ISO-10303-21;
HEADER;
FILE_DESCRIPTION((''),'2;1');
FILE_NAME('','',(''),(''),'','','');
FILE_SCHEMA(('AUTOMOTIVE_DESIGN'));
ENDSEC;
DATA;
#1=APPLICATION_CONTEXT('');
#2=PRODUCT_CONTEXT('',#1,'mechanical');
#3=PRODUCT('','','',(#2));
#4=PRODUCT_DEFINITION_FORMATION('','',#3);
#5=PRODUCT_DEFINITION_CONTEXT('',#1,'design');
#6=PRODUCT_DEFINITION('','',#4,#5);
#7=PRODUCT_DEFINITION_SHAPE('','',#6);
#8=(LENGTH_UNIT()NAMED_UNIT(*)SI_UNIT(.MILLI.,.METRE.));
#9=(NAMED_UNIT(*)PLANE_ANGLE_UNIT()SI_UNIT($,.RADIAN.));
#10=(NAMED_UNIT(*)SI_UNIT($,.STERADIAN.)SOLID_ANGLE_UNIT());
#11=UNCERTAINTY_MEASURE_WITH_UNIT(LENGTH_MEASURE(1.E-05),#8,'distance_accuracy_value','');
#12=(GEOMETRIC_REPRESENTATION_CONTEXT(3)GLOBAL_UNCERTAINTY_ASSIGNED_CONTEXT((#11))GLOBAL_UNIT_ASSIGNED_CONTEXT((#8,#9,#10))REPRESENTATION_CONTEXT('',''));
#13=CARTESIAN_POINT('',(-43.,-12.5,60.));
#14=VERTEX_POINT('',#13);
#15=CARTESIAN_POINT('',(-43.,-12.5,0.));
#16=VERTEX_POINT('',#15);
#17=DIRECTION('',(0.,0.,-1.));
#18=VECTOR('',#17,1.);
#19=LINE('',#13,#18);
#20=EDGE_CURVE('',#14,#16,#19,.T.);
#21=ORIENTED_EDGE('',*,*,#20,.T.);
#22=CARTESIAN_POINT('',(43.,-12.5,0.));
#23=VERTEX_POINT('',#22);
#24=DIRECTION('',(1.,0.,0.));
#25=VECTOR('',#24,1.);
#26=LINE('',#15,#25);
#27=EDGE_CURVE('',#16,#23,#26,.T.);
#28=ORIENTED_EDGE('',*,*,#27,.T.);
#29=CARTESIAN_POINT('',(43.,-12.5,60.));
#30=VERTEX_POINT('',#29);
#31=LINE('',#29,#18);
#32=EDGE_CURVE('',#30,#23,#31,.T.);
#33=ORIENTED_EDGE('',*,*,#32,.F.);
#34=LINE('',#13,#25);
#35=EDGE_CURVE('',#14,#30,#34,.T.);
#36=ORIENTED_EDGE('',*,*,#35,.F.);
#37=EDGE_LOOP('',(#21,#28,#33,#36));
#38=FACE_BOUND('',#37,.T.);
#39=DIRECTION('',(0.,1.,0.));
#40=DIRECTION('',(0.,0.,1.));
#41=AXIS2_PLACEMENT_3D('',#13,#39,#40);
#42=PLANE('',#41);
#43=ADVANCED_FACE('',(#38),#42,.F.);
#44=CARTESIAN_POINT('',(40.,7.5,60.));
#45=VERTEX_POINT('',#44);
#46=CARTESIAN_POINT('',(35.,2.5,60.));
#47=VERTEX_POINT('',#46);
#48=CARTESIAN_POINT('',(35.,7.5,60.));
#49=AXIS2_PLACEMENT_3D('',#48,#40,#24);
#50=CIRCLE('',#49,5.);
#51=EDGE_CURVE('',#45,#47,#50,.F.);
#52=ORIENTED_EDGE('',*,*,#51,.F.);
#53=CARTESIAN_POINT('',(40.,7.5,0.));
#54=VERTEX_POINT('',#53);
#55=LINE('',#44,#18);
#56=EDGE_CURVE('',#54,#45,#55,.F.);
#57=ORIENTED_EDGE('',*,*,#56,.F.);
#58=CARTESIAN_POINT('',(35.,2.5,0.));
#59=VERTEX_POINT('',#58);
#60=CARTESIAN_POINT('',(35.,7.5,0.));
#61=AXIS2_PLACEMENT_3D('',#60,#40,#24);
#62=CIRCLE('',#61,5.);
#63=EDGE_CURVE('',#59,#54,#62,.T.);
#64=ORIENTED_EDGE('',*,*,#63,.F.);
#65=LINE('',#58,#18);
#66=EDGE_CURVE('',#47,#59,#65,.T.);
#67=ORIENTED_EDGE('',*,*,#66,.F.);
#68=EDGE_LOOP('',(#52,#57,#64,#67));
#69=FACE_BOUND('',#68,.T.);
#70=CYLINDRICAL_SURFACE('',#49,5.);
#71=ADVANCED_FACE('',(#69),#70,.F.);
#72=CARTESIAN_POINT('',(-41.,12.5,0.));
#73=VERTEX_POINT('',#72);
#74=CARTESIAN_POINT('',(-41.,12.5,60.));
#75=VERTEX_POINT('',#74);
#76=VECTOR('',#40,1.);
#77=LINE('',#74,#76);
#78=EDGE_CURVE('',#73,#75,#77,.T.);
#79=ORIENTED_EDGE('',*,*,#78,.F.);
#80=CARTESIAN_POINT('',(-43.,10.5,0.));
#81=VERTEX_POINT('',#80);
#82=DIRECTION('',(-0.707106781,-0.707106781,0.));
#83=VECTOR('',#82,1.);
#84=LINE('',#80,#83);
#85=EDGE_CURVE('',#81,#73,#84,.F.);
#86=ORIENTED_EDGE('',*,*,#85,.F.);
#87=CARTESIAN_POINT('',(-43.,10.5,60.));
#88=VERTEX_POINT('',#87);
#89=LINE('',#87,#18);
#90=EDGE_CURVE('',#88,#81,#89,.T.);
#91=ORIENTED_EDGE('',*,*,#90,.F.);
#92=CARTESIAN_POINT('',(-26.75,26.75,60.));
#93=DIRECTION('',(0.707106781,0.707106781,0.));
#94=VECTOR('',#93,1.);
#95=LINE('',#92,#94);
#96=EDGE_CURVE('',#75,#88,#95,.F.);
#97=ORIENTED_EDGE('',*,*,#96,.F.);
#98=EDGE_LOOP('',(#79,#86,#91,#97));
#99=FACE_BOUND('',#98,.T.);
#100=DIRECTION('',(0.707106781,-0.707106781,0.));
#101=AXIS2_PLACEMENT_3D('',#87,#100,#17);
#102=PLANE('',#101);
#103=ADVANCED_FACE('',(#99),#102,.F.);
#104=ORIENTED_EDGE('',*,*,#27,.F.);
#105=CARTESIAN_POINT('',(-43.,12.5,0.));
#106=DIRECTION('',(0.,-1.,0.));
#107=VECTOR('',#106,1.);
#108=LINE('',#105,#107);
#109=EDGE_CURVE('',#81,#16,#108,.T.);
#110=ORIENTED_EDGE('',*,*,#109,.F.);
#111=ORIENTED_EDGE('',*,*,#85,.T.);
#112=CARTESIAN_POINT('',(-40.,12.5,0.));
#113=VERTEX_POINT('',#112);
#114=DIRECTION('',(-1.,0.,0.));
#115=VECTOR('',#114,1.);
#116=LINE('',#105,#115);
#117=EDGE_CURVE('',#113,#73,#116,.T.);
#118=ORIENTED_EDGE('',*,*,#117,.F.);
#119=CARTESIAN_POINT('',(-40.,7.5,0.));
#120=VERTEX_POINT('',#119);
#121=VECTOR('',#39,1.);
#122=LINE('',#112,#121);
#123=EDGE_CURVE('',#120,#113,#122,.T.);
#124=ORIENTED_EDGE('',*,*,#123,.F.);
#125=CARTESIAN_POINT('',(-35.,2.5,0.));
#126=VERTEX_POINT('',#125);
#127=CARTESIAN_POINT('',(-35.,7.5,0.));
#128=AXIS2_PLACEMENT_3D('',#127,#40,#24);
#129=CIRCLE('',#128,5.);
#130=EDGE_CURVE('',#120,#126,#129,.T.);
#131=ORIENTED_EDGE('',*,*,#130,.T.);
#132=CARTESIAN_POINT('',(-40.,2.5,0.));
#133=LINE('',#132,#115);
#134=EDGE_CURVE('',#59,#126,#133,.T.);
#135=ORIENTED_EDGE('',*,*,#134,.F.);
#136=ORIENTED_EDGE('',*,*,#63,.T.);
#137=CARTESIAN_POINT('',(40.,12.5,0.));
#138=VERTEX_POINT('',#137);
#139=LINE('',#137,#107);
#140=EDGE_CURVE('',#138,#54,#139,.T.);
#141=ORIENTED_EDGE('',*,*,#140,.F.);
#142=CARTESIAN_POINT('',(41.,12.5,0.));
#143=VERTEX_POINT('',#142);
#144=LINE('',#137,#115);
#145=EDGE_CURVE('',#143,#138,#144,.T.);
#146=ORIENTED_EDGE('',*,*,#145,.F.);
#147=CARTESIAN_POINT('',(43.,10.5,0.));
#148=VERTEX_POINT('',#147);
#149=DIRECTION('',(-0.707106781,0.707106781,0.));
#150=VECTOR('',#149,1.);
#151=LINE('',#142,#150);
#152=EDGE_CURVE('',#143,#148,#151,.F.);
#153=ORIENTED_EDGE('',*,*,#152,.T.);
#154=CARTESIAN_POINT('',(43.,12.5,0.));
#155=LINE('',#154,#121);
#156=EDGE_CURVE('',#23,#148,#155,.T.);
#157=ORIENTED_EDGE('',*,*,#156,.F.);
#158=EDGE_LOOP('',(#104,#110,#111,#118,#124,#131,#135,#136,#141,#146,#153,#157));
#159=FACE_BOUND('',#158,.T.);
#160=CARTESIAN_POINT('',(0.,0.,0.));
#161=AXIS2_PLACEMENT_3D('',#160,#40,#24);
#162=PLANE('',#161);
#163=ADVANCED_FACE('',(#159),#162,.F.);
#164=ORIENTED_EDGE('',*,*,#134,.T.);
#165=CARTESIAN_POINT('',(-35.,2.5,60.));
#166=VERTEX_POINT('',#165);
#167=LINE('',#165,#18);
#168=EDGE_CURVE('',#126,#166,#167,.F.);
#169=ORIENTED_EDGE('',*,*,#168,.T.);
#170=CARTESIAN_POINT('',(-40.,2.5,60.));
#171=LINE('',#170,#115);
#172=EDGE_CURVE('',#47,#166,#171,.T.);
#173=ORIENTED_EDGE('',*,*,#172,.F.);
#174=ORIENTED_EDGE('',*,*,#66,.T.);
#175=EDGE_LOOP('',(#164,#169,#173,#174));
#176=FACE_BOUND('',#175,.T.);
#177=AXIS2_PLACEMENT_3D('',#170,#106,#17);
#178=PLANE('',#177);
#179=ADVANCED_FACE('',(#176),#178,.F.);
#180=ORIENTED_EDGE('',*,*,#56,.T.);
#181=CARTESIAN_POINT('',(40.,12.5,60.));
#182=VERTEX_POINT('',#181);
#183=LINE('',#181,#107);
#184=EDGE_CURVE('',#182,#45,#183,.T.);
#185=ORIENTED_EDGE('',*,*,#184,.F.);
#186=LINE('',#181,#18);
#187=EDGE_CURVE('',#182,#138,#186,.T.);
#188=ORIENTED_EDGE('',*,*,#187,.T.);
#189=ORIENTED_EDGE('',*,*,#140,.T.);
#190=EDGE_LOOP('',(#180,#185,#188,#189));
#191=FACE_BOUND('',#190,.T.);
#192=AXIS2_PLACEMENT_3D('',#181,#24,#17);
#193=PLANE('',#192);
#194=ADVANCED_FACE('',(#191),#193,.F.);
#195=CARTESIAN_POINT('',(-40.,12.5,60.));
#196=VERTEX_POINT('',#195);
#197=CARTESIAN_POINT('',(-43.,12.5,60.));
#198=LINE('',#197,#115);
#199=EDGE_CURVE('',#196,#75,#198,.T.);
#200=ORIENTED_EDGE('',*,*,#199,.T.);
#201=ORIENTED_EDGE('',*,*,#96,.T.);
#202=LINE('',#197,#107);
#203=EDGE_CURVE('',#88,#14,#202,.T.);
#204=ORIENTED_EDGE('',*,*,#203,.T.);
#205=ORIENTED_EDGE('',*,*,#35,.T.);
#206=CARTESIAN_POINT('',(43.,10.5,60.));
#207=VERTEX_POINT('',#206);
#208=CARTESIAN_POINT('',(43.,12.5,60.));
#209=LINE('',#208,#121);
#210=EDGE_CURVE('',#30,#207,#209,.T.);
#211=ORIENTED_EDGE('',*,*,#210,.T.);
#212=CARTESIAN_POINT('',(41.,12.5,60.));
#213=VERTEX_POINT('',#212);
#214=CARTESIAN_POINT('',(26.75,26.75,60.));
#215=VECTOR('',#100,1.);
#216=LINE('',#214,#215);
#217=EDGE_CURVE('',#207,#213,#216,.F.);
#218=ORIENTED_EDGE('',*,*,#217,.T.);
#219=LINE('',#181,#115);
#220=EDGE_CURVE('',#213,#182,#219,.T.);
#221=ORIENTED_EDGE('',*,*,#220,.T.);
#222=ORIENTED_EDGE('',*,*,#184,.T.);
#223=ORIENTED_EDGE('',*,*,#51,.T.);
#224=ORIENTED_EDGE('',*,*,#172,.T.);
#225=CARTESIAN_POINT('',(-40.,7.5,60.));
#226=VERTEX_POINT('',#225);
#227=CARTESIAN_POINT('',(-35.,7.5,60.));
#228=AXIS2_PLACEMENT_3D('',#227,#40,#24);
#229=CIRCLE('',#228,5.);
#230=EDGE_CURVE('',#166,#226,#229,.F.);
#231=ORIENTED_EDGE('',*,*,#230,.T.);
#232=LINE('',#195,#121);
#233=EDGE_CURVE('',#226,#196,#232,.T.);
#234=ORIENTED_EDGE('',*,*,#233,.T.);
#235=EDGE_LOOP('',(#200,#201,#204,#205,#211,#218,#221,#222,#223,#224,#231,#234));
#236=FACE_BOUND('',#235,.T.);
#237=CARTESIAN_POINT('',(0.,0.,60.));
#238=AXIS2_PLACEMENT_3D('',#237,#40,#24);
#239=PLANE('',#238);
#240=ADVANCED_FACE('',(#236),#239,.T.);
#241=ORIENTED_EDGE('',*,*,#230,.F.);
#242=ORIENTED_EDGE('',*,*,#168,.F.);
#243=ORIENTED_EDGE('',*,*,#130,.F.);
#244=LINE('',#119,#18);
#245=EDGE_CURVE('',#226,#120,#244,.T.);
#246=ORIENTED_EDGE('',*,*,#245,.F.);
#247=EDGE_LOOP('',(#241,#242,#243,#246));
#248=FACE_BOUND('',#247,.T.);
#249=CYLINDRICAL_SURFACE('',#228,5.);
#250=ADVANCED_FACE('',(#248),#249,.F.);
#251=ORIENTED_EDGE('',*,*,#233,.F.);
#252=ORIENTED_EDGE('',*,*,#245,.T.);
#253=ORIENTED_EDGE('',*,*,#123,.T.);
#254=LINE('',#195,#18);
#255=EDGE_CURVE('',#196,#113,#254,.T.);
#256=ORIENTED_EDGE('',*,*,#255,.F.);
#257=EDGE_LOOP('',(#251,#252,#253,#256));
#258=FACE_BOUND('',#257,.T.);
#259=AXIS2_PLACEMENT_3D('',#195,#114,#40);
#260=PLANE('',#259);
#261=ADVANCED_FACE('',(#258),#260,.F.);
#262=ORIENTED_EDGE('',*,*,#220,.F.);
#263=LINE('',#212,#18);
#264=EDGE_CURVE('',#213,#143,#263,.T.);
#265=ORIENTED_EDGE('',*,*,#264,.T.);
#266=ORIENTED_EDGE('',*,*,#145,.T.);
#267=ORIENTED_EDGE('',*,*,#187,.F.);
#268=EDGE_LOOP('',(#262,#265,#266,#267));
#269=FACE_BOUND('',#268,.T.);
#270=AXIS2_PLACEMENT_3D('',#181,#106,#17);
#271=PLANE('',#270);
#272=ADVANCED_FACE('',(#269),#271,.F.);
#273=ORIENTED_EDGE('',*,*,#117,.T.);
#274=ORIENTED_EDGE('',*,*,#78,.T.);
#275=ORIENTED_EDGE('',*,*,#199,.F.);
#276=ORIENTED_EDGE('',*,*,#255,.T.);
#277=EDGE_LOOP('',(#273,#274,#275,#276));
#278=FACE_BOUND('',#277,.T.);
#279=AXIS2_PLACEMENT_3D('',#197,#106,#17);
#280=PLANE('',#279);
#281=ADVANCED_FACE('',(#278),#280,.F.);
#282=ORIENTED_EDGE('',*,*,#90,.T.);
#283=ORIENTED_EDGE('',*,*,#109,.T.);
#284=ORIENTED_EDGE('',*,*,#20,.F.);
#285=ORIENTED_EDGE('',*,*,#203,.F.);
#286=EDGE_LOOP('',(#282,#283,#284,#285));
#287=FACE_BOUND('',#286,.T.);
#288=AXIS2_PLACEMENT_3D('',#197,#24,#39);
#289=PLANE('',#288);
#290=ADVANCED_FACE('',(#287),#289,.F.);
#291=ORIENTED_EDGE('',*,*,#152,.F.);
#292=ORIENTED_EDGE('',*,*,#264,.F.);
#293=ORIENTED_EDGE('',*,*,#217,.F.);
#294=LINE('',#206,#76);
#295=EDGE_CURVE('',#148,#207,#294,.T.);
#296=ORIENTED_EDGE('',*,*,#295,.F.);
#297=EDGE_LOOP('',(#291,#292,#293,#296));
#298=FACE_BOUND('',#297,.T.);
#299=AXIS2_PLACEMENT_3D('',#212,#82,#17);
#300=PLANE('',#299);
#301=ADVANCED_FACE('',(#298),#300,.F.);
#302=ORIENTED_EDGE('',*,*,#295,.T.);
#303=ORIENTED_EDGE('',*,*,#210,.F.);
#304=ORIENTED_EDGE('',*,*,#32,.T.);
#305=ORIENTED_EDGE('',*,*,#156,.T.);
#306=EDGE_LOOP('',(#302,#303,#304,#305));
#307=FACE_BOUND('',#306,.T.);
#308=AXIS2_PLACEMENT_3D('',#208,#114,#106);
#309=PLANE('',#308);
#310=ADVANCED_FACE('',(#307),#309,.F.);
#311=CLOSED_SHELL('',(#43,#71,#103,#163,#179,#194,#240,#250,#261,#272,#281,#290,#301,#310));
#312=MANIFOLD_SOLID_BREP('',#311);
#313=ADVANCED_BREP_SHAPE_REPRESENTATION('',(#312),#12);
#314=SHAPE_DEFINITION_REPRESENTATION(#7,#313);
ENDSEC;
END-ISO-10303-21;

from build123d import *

# Parameters (mm, degrees)
BOSS_EXTRUDE1_DEPTH = 60
FILLET1_R           = 5
CHAMFER1_SIZE       = 2


with BuildPart() as part:
    # Sketch1 → Boss-Extrude1 (new body)
    with BuildSketch(Plane.XY):
        Polygon((40, 12.5), (43, 12.5), (43, -12.5), (-43, -12.5), (-43, 12.5), (-40, 12.5), (-40, 2.5), (40, 2.5), align=None)
    extrude(amount=BOSS_EXTRUDE1_DEPTH)

    # Fillet1
    fillet1_edges = [part.edges().sort_by_distance(p)[0] for p in [
        (-40, 2.5, 30),
        (40, 2.5, 30),
    ]]
    fillet(fillet1_edges, radius=FILLET1_R)

    # Chamfer1
    chamfer1_edges = [part.edges().sort_by_distance(p)[0] for p in [
        (-43, 12.5, 30),
        (43, 12.5, 30),
    ]]
    chamfer(chamfer1_edges, length=CHAMFER1_SIZE)


solid = part.part
